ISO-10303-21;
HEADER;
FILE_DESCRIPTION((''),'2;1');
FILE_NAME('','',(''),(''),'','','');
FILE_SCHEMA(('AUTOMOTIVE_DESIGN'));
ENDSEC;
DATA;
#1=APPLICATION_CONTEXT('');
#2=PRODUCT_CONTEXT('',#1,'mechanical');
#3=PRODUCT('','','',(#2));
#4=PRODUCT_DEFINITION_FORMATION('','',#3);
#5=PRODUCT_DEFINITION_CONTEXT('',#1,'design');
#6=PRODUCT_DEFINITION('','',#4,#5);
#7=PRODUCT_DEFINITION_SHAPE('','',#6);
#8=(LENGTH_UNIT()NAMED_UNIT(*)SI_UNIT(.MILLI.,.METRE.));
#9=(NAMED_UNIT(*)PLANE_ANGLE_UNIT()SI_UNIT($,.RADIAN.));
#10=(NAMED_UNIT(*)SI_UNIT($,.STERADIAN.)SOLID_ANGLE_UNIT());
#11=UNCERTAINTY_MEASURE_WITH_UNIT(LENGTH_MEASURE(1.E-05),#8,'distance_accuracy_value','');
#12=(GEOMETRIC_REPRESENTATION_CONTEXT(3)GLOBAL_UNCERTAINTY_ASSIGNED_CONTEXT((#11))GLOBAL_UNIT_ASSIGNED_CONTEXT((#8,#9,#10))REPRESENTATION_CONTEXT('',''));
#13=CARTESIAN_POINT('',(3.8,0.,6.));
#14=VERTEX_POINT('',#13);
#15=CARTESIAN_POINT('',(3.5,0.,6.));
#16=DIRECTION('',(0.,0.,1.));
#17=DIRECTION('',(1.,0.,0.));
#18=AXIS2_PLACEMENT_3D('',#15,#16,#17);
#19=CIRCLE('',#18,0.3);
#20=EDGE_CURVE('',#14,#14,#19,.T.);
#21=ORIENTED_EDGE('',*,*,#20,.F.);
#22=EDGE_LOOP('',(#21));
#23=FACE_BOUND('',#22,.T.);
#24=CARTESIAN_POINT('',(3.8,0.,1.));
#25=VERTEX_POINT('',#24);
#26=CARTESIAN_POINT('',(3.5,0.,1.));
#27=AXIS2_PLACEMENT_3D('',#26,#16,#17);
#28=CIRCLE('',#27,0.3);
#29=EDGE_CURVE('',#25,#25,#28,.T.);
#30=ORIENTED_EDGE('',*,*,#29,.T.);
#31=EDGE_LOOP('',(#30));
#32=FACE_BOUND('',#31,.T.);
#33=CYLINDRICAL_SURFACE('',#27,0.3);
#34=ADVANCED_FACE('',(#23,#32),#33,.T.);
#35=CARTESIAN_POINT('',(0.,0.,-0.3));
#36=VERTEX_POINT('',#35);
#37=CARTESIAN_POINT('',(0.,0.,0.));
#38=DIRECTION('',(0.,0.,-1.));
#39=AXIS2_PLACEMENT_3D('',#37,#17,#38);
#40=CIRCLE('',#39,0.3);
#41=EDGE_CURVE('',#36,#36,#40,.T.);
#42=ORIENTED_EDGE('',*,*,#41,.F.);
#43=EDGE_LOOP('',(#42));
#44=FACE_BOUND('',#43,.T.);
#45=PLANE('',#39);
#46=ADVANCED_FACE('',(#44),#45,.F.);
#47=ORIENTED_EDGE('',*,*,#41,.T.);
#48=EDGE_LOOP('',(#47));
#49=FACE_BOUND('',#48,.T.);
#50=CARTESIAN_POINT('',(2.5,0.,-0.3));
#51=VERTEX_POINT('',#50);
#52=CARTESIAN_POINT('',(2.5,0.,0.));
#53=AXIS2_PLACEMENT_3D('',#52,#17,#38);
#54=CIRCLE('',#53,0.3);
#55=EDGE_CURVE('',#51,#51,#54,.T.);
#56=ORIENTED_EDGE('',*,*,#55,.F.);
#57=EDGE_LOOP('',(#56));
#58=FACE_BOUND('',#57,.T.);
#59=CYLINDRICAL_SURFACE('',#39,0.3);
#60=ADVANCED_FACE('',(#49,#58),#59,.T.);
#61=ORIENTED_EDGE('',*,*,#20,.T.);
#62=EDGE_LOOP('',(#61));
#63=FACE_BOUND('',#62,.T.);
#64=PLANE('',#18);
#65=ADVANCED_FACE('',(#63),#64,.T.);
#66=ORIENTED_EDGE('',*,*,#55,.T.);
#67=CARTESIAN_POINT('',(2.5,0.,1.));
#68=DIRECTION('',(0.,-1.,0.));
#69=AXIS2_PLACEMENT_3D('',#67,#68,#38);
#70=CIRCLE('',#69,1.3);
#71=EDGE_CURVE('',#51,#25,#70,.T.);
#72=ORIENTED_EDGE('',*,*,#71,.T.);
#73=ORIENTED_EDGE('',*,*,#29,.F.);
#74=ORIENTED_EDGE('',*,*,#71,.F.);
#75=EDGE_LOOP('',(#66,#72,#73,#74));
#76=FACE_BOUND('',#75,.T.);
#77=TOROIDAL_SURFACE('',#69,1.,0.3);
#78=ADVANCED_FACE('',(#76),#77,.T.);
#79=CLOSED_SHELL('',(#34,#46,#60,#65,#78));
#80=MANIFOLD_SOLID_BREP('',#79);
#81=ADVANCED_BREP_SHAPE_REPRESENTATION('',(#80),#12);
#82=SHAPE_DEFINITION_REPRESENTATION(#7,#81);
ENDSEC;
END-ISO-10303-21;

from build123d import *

# Parameters (mm, degrees)
CROQUIS3_R = 0.3


with BuildPart() as part:
    # Barrer1: sweep along a path in Croquis2
    with BuildLine(Plane(origin=(0, 0, 0), x_dir=(1, 0, 0), z_dir=(0, 1, 0))) as barrer1_path:
        Line((0, 0), (2.5, 0))
        ThreePointArc((2.5, 0), (3.207106781, -0.292893219), (3.5, -1))
        Line((3.5, -1), (3.5, -6))
    # Croquis3 → Barrer1 (sweep)
    with BuildSketch(Plane(origin=(0, 0, 0), x_dir=(0, 0, -1), z_dir=(1, 0, 0))):
        Circle(CROQUIS3_R)
    sweep(path=barrer1_path.line)


solid = part.part
